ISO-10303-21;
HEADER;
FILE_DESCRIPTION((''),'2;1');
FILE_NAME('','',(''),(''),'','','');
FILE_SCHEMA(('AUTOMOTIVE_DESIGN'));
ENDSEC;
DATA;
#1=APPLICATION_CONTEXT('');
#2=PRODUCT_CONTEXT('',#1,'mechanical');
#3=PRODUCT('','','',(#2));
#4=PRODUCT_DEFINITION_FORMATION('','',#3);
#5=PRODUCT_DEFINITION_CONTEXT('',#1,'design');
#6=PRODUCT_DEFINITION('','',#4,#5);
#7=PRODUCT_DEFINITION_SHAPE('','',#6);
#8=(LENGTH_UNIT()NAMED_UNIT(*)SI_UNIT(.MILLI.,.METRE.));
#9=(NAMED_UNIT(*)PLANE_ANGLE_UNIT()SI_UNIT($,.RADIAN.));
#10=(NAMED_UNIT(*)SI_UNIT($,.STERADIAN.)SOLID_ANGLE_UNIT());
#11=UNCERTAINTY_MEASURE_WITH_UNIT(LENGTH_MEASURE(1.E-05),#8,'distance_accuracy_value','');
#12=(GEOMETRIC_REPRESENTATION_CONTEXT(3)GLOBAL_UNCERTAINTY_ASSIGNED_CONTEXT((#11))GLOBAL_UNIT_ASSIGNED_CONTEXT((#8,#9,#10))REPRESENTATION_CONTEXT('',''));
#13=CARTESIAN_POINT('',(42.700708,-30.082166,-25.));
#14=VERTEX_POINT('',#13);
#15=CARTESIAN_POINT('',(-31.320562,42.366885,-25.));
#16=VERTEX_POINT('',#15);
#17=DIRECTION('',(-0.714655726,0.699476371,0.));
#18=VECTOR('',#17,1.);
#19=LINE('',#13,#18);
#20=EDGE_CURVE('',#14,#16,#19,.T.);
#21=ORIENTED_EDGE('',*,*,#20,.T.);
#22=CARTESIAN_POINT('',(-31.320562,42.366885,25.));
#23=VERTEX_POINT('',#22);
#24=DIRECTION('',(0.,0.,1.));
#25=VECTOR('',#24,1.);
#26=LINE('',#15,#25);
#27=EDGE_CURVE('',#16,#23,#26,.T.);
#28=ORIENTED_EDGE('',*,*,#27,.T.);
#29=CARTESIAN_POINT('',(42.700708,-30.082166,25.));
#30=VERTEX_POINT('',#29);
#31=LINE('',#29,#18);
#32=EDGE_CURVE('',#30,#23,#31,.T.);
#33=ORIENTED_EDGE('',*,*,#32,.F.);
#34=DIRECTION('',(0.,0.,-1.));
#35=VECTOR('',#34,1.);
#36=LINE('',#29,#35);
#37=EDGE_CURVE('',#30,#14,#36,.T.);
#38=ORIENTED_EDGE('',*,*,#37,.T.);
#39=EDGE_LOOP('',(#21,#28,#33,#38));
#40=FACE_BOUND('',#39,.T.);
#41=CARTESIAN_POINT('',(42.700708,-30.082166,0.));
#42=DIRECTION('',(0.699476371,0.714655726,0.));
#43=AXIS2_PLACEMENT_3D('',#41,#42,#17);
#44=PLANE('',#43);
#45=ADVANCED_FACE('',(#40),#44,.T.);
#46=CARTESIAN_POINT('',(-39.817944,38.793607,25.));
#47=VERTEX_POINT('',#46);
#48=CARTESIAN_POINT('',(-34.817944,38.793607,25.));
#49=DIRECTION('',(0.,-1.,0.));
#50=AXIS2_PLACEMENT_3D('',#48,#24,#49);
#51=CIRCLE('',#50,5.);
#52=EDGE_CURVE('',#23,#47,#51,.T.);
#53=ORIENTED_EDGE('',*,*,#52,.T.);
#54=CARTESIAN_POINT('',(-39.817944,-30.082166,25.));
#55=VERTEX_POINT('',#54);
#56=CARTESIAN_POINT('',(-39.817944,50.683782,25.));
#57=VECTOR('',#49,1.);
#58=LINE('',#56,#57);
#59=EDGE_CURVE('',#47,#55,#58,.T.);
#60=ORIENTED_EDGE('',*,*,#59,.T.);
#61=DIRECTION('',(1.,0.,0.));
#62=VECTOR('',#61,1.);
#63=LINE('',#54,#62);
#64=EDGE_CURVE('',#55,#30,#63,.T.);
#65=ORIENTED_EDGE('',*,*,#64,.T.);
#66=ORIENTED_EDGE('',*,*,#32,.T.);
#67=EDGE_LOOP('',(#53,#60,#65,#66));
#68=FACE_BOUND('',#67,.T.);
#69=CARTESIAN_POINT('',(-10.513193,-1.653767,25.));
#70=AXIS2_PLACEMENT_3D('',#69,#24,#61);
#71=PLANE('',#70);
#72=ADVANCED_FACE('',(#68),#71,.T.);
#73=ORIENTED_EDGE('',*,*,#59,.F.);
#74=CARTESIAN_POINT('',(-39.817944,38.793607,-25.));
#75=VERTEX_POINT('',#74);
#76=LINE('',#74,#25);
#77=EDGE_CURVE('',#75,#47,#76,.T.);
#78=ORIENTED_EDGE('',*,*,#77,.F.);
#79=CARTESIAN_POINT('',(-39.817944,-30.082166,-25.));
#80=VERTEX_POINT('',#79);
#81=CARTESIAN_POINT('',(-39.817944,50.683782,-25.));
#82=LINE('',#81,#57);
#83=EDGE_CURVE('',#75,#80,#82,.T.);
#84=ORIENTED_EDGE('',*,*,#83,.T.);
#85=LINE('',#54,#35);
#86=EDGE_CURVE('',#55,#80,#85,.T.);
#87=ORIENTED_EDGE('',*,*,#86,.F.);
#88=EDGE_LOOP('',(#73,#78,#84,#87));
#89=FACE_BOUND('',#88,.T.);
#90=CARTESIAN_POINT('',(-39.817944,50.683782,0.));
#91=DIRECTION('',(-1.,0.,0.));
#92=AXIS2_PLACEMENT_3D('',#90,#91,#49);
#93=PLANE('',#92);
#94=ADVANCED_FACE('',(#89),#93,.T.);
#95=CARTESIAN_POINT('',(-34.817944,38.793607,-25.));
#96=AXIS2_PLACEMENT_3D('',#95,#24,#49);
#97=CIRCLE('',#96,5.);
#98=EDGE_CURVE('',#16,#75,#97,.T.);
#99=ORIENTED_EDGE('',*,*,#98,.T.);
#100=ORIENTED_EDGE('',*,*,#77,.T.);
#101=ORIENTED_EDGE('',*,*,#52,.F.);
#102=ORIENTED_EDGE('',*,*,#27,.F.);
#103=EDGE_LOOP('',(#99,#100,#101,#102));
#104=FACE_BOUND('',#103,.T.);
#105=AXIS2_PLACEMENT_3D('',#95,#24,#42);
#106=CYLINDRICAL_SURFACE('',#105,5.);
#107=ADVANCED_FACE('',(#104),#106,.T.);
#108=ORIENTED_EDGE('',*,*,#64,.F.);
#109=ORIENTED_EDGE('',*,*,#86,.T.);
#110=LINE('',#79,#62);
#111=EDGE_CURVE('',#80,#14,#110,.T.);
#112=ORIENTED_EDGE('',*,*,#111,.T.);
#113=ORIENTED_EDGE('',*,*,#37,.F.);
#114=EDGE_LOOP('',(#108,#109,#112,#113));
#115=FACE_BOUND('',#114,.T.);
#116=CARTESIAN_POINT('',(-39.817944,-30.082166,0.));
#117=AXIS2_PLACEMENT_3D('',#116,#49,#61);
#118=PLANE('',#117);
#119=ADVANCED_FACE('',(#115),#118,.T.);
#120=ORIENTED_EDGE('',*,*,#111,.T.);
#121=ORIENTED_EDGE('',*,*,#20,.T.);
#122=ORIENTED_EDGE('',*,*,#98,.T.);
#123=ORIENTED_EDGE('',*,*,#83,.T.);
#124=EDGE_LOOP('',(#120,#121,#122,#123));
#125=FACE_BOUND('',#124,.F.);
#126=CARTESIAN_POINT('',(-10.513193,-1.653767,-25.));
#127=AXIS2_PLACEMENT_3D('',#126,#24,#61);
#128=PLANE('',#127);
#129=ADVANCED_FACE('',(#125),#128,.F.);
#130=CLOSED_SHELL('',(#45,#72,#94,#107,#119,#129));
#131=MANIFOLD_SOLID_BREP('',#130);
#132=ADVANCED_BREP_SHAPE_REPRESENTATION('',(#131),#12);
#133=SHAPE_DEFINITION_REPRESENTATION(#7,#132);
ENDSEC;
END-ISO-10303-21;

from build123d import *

# Parameters (mm, degrees)
F1_DEPTH = 25
F2_R     = 5


with BuildPart() as f1:
    # F0 (on Top) → F1 (new body, symmetric)
    with BuildSketch(Plane.XY):
        Polygon((42.700708, -30.082166), (-39.817944, 50.683782), (-39.817944, -30.082166), align=None)
    extrude(amount=F1_DEPTH, both=True)

    # F2
    f2_edges = [f1.edges().sort_by_distance(p)[0] for p in [
        (-39.817944, 50.683782, 0),
    ]]
    fillet(f2_edges, radius=F2_R)


solid = f1.part
